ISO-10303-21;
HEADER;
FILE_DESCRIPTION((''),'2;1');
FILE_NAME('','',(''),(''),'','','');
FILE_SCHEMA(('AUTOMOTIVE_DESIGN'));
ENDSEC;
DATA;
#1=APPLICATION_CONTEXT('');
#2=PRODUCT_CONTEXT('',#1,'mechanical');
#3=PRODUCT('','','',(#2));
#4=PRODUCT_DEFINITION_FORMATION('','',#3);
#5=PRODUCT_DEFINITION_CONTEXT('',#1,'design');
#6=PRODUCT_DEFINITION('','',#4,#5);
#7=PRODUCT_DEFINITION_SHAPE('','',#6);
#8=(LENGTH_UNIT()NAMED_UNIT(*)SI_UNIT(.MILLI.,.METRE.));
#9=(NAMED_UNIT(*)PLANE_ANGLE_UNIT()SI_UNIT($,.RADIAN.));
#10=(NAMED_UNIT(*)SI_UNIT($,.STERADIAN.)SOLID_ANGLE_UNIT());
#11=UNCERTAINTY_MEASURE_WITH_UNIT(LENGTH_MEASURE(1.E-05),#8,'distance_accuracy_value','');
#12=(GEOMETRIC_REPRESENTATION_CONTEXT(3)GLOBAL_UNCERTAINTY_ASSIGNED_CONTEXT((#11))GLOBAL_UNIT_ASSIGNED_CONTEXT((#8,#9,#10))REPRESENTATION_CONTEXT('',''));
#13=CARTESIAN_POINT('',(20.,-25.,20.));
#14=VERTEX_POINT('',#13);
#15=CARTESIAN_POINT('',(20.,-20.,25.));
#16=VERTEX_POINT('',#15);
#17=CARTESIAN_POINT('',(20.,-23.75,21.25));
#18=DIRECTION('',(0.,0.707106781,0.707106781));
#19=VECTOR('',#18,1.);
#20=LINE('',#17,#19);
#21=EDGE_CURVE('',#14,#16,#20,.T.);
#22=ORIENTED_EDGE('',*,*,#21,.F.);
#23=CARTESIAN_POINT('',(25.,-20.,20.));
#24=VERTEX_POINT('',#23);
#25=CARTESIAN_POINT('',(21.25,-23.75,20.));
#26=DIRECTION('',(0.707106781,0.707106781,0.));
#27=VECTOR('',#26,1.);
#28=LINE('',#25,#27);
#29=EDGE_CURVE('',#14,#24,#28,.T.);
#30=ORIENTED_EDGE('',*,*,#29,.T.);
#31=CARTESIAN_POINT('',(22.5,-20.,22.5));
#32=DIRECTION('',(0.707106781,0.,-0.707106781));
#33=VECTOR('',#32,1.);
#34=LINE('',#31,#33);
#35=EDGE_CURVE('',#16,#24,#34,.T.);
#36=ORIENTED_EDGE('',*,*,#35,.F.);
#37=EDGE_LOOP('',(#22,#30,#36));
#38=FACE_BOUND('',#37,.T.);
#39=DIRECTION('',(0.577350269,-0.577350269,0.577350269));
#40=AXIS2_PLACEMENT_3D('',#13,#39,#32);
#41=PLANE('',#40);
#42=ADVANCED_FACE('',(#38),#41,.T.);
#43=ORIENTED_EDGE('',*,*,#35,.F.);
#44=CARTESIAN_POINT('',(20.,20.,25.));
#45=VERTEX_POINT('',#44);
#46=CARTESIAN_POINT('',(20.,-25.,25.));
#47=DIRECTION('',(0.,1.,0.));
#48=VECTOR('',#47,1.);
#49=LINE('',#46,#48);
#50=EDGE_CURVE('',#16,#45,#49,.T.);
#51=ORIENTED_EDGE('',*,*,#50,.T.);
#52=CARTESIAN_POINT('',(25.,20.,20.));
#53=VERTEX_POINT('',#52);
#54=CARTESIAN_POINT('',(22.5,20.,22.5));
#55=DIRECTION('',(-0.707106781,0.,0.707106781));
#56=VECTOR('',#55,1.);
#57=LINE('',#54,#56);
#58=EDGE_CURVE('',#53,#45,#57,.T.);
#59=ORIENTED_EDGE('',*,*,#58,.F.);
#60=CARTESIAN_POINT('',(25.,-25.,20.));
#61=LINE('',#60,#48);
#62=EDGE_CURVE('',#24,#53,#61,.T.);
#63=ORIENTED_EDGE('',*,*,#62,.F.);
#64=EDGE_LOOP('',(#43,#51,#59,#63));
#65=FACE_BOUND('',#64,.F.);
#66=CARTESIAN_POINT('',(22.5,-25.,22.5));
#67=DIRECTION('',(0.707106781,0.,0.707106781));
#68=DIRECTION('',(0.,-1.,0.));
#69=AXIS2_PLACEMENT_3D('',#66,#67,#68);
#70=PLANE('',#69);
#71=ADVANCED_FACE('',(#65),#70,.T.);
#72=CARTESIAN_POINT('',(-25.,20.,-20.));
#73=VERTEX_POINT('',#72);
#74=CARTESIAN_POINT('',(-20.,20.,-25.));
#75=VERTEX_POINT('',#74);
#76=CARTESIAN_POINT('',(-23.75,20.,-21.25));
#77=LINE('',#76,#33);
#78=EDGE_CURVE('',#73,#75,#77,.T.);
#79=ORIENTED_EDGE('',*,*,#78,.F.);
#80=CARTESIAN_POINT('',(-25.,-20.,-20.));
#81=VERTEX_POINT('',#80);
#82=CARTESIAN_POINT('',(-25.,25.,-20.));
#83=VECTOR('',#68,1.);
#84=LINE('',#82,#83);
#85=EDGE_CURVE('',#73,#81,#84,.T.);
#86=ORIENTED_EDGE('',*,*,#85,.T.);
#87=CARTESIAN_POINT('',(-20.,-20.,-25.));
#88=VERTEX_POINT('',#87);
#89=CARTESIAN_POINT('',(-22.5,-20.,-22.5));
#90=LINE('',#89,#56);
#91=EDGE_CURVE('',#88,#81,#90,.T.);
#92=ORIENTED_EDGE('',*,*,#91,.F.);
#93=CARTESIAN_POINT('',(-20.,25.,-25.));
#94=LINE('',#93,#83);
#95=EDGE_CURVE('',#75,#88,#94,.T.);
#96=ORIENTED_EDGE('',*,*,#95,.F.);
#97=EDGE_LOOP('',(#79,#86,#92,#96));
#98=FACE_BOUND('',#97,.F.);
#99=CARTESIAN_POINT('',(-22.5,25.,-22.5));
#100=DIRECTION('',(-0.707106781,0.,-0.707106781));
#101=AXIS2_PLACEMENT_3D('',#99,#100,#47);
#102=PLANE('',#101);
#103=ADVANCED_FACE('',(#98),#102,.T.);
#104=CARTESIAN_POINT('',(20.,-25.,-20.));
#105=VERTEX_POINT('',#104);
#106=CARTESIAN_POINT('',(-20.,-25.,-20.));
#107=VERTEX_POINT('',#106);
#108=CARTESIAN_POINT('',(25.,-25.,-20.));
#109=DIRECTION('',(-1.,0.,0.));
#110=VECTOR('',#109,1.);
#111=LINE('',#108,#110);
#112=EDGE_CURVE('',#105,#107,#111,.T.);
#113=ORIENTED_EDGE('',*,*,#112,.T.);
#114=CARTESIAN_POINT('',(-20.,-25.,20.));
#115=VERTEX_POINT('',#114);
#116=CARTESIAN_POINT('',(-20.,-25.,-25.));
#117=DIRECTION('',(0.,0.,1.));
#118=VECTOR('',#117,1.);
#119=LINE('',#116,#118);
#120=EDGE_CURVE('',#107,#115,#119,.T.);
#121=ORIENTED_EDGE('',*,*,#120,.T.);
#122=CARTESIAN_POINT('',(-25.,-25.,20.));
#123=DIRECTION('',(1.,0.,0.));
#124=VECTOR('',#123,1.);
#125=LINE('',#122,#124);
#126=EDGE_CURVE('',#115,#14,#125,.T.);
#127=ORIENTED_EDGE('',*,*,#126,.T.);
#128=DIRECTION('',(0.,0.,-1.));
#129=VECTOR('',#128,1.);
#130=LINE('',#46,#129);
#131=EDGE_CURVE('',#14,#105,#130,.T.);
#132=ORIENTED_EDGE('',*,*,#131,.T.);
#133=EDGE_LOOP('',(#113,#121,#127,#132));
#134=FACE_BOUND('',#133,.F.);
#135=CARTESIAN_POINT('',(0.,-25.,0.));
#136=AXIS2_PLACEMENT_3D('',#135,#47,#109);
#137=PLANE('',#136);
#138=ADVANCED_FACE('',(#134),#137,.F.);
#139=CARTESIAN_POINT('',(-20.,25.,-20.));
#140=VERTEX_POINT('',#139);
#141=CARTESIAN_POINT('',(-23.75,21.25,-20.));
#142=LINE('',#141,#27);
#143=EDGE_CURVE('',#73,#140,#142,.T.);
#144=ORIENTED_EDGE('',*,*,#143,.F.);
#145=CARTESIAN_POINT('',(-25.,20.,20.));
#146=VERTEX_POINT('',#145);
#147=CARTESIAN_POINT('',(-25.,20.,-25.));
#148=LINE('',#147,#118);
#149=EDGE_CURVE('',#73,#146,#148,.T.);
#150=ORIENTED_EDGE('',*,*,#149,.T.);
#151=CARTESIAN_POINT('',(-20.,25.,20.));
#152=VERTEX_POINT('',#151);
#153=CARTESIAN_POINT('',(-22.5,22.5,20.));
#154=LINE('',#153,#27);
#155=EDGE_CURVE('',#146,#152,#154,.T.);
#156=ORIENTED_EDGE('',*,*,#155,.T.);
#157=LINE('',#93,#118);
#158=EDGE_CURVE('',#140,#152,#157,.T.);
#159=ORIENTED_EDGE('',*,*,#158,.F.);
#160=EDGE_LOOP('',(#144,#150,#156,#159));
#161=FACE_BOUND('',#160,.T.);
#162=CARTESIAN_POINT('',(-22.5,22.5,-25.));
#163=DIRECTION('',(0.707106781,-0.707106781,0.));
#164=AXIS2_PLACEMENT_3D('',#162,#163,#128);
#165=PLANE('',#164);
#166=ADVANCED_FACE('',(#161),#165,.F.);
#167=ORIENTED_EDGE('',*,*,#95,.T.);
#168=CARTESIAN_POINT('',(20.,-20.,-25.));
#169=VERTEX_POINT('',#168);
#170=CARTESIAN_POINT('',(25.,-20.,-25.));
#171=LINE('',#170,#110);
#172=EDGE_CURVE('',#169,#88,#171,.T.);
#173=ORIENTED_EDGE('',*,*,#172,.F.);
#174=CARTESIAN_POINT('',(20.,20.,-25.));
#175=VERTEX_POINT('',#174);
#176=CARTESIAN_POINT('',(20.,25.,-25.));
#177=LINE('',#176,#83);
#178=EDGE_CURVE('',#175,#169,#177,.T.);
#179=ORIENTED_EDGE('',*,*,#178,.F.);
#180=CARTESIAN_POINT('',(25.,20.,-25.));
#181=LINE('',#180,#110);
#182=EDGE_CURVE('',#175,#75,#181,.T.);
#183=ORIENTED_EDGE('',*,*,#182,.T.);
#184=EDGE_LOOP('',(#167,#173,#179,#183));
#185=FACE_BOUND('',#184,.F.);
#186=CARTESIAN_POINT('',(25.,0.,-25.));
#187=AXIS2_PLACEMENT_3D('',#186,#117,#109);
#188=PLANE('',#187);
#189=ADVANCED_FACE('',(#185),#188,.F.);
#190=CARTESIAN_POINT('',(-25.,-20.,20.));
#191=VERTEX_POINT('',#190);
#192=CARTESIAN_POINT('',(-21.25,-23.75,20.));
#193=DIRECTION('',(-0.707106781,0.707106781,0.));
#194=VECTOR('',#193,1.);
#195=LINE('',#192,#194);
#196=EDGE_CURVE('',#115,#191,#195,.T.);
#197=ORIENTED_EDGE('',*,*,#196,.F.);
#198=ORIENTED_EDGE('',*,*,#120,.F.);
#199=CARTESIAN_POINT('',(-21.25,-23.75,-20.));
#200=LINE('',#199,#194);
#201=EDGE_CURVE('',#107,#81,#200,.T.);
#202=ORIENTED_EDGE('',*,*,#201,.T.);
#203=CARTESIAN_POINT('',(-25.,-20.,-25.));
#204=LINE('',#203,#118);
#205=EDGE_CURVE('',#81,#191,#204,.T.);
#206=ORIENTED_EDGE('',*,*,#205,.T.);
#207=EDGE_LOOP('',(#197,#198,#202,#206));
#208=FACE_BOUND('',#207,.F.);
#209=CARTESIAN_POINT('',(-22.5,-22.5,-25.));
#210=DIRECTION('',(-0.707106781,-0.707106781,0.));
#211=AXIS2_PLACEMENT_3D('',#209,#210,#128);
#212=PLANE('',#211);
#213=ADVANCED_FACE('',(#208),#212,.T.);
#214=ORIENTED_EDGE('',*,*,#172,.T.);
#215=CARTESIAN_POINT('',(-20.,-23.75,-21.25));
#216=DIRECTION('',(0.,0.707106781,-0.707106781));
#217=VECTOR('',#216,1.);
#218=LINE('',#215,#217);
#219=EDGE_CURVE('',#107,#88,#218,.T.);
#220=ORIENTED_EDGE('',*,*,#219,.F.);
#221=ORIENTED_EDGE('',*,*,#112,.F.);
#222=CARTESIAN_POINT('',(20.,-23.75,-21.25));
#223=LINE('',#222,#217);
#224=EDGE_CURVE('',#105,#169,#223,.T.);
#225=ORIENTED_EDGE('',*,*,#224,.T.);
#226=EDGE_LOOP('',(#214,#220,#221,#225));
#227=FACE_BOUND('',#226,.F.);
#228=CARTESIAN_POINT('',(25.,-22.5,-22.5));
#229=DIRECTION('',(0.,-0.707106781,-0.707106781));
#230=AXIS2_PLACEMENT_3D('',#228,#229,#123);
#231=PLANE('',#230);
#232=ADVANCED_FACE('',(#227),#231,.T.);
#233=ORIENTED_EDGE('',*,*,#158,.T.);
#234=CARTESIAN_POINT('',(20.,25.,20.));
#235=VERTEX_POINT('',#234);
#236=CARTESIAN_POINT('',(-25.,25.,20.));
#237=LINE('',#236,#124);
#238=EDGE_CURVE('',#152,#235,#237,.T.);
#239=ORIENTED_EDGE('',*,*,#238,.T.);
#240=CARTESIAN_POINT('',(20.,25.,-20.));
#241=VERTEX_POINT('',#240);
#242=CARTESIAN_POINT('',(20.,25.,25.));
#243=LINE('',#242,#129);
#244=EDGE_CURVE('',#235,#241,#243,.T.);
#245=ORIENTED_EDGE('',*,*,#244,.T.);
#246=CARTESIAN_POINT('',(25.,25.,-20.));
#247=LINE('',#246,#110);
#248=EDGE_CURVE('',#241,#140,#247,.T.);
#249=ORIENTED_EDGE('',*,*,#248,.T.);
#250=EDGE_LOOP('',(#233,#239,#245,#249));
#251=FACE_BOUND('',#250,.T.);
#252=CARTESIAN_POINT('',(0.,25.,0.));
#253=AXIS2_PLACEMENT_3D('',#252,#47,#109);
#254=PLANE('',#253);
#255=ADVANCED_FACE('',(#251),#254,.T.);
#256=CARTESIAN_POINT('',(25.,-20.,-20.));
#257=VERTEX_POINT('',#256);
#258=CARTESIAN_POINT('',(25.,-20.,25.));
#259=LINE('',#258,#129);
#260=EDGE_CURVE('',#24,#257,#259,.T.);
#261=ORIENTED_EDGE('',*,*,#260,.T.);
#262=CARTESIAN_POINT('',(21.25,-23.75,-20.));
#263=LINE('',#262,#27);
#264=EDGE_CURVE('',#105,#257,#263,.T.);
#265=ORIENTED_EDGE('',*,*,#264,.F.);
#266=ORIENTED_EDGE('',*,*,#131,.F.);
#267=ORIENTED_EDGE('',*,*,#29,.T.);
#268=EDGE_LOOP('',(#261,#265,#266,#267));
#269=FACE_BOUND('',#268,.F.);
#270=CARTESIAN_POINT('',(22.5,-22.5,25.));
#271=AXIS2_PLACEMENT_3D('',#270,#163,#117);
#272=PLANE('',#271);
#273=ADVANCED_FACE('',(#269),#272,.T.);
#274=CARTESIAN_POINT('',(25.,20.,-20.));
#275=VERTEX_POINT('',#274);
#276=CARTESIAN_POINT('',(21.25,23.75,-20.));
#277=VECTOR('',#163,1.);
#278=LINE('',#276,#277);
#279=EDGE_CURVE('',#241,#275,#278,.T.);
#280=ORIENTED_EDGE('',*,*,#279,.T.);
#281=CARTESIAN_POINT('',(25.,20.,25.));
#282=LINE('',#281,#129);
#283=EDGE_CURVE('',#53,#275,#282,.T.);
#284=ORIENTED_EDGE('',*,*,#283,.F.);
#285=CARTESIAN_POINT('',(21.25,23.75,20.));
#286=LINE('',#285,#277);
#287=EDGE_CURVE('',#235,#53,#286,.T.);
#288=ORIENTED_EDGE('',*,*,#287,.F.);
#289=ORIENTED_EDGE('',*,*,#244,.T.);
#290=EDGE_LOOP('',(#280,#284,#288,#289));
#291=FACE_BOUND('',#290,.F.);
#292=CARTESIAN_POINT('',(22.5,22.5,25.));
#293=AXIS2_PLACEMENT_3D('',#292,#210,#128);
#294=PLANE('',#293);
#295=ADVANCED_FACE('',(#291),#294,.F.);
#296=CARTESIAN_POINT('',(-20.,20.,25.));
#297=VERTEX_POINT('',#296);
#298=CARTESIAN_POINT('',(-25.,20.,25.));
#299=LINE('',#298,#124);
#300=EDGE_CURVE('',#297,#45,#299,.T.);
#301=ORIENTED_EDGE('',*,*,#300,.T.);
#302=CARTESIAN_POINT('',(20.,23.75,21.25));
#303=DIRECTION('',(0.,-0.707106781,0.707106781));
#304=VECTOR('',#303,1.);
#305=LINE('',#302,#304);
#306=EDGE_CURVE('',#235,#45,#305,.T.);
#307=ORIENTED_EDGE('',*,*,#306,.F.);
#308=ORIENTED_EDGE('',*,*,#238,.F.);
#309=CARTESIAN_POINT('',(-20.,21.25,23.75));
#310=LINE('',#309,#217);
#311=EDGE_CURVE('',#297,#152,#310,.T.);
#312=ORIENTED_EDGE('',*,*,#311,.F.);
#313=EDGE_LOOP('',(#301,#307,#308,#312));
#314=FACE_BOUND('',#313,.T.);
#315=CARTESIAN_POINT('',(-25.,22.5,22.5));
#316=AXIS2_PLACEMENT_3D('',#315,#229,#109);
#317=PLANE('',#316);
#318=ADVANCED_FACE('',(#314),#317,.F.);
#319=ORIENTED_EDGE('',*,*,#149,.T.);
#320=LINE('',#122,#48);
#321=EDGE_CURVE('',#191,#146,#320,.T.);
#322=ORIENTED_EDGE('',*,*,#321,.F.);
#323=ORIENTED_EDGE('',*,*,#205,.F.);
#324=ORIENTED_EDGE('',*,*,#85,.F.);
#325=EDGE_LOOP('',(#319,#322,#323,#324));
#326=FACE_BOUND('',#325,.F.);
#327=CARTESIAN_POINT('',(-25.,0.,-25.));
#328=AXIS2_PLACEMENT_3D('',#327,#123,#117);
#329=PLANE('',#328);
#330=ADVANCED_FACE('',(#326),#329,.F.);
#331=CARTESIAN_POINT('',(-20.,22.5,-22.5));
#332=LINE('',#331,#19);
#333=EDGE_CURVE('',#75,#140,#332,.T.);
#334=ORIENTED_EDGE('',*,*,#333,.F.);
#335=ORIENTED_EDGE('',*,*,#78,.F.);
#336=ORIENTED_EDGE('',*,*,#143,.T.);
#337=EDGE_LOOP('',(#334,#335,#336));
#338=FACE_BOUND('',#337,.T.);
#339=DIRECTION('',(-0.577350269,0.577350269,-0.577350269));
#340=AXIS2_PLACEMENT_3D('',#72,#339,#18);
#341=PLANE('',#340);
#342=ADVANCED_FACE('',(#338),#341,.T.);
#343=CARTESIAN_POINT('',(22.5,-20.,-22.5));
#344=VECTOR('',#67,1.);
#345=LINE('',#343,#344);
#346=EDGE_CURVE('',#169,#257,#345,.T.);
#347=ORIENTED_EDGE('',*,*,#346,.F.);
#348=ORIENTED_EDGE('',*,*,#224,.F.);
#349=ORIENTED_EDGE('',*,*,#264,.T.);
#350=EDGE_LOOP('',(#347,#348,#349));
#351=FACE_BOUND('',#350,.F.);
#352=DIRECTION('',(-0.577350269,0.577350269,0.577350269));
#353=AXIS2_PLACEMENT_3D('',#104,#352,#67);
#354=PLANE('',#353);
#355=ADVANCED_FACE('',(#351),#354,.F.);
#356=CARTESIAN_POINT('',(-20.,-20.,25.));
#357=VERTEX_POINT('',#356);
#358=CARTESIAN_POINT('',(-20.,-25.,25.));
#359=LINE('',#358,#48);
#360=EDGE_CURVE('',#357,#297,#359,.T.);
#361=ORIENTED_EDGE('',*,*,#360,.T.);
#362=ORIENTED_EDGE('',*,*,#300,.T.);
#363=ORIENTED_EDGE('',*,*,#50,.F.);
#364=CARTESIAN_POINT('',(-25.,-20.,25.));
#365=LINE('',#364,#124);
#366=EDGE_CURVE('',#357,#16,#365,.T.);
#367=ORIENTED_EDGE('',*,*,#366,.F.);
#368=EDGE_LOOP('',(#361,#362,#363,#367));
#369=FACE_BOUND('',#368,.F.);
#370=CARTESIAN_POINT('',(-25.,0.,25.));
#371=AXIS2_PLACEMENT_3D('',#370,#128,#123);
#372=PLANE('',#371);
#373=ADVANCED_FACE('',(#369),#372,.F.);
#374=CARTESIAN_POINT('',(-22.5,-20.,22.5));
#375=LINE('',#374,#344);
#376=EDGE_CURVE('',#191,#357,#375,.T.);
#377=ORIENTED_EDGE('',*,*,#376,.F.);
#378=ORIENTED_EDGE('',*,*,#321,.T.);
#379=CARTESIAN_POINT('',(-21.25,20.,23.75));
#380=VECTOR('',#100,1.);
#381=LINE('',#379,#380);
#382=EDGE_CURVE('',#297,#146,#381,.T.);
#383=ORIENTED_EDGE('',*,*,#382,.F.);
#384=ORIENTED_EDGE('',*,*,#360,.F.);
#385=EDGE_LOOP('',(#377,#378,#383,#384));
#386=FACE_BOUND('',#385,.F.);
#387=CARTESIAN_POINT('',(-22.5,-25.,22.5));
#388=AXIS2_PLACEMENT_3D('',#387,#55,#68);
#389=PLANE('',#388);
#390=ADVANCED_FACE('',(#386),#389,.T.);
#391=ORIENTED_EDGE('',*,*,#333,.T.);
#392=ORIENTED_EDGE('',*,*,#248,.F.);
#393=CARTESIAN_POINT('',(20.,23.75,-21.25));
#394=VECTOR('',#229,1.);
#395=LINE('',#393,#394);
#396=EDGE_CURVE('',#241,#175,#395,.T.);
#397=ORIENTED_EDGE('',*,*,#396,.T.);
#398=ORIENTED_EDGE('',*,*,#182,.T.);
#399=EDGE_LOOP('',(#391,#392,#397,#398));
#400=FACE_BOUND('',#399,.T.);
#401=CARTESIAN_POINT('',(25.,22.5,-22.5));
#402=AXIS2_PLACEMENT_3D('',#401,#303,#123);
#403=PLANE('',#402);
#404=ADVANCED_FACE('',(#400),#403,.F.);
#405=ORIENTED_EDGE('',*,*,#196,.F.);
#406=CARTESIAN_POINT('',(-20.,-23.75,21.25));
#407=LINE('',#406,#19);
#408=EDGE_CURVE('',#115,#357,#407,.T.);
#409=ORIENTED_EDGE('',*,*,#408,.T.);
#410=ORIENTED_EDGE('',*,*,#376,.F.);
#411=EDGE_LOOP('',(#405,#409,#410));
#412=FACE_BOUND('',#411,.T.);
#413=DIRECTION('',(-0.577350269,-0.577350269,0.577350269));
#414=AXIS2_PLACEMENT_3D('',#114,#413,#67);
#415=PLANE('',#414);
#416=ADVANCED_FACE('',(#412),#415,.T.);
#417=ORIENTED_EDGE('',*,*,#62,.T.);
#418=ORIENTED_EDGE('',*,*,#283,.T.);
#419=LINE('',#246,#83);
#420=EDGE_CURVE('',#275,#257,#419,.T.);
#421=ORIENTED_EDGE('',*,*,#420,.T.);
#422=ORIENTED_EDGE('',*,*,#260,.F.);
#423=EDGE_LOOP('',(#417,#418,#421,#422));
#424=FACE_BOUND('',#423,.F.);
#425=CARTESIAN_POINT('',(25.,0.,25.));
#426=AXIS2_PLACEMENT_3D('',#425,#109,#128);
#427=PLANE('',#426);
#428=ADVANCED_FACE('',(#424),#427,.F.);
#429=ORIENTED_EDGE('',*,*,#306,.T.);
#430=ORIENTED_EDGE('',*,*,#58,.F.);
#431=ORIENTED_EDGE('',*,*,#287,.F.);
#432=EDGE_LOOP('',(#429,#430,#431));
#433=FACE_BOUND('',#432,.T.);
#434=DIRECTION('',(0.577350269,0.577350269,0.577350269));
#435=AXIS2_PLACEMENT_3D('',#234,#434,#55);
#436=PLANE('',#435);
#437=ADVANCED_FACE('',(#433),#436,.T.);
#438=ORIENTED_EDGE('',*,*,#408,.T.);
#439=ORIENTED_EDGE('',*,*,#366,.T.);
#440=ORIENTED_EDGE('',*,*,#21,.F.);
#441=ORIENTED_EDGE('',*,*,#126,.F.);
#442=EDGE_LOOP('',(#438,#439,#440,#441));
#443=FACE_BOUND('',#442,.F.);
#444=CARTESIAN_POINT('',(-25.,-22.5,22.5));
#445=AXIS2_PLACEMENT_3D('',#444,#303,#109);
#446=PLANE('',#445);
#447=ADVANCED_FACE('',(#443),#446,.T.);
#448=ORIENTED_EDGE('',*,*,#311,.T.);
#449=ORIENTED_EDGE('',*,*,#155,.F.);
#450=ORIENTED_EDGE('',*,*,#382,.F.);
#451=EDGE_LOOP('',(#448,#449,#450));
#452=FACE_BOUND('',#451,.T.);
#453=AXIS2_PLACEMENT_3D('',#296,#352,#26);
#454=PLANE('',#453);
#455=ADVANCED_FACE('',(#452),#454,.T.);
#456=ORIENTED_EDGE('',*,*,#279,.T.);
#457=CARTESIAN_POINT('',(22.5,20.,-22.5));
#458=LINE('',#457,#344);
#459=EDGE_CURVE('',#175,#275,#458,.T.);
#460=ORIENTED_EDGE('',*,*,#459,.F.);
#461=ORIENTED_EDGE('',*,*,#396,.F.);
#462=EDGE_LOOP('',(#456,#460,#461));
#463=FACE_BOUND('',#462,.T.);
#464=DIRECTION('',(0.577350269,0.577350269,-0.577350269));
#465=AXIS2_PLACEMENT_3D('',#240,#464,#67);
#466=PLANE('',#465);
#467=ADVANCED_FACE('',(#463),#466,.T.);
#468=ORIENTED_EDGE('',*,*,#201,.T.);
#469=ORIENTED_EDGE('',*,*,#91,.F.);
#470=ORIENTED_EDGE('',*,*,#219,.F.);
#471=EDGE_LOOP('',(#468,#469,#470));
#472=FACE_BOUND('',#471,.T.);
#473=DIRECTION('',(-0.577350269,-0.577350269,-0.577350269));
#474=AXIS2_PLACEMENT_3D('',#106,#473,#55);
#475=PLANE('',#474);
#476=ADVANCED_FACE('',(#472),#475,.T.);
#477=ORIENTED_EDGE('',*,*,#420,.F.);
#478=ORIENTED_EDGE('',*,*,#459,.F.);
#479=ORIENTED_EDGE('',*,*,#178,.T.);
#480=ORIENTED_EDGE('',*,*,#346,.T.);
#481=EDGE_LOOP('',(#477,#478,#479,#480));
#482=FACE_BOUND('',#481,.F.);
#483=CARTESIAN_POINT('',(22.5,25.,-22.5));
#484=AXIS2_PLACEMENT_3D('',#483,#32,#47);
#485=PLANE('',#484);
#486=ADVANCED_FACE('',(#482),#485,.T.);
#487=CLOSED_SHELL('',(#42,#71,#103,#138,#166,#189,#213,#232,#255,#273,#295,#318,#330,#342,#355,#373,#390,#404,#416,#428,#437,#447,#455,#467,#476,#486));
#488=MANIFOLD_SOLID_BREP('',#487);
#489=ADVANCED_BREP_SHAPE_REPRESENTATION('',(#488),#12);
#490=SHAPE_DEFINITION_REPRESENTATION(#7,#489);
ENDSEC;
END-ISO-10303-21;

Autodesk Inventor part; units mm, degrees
ref_plane "YZ Plane" through (0, 0, 0) normal (1, 0, 0) x (0, 1, 0)
ref_plane "XZ Plane" through (0, 0, 0) normal (0, 1, 0) x (-1, 0, 0)
ref_plane "XY Plane" through (0, 0, 0) normal (0, 0, 1) x (1, 0, 0)
sketch "Sketch1" plane through (0, 0, 0) normal (0, 1, 0) x (-1, 0, 0)
  line L0 (25, 25) -> (-25, 25)
  line L1 (-25, 25) -> (-25, -25)
  line L2 (-25, -25) -> (25, -25)
  line L3 (25, -25) -> (25, 25)
  line L4 (25, 25) -> (-25, -25) construction
  line L5 (-25, 25) -> (25, -25) construction
  point P0 (0, 0)
  dimension "d0" = 50
  dimension "d1" = 50
extrude "Extrusion1" add sketch "Sketch1" along normal mid plane 50
chamfer "Chamfer1" distance 5 angle 45 12 edges at (25, 0, -25) (0, 25, -25) (-25, 0, -25) (-25, 25, 0) (-25, 0, 25) (25, 0, 25) (0, -25, -25) (-25, -25, 0) (0, -25, 25) (25, -25, 0) (25, 25, 0) (0, 25, 25)
properties part number "ElementaryCube_UGLY" material "Concrete"
